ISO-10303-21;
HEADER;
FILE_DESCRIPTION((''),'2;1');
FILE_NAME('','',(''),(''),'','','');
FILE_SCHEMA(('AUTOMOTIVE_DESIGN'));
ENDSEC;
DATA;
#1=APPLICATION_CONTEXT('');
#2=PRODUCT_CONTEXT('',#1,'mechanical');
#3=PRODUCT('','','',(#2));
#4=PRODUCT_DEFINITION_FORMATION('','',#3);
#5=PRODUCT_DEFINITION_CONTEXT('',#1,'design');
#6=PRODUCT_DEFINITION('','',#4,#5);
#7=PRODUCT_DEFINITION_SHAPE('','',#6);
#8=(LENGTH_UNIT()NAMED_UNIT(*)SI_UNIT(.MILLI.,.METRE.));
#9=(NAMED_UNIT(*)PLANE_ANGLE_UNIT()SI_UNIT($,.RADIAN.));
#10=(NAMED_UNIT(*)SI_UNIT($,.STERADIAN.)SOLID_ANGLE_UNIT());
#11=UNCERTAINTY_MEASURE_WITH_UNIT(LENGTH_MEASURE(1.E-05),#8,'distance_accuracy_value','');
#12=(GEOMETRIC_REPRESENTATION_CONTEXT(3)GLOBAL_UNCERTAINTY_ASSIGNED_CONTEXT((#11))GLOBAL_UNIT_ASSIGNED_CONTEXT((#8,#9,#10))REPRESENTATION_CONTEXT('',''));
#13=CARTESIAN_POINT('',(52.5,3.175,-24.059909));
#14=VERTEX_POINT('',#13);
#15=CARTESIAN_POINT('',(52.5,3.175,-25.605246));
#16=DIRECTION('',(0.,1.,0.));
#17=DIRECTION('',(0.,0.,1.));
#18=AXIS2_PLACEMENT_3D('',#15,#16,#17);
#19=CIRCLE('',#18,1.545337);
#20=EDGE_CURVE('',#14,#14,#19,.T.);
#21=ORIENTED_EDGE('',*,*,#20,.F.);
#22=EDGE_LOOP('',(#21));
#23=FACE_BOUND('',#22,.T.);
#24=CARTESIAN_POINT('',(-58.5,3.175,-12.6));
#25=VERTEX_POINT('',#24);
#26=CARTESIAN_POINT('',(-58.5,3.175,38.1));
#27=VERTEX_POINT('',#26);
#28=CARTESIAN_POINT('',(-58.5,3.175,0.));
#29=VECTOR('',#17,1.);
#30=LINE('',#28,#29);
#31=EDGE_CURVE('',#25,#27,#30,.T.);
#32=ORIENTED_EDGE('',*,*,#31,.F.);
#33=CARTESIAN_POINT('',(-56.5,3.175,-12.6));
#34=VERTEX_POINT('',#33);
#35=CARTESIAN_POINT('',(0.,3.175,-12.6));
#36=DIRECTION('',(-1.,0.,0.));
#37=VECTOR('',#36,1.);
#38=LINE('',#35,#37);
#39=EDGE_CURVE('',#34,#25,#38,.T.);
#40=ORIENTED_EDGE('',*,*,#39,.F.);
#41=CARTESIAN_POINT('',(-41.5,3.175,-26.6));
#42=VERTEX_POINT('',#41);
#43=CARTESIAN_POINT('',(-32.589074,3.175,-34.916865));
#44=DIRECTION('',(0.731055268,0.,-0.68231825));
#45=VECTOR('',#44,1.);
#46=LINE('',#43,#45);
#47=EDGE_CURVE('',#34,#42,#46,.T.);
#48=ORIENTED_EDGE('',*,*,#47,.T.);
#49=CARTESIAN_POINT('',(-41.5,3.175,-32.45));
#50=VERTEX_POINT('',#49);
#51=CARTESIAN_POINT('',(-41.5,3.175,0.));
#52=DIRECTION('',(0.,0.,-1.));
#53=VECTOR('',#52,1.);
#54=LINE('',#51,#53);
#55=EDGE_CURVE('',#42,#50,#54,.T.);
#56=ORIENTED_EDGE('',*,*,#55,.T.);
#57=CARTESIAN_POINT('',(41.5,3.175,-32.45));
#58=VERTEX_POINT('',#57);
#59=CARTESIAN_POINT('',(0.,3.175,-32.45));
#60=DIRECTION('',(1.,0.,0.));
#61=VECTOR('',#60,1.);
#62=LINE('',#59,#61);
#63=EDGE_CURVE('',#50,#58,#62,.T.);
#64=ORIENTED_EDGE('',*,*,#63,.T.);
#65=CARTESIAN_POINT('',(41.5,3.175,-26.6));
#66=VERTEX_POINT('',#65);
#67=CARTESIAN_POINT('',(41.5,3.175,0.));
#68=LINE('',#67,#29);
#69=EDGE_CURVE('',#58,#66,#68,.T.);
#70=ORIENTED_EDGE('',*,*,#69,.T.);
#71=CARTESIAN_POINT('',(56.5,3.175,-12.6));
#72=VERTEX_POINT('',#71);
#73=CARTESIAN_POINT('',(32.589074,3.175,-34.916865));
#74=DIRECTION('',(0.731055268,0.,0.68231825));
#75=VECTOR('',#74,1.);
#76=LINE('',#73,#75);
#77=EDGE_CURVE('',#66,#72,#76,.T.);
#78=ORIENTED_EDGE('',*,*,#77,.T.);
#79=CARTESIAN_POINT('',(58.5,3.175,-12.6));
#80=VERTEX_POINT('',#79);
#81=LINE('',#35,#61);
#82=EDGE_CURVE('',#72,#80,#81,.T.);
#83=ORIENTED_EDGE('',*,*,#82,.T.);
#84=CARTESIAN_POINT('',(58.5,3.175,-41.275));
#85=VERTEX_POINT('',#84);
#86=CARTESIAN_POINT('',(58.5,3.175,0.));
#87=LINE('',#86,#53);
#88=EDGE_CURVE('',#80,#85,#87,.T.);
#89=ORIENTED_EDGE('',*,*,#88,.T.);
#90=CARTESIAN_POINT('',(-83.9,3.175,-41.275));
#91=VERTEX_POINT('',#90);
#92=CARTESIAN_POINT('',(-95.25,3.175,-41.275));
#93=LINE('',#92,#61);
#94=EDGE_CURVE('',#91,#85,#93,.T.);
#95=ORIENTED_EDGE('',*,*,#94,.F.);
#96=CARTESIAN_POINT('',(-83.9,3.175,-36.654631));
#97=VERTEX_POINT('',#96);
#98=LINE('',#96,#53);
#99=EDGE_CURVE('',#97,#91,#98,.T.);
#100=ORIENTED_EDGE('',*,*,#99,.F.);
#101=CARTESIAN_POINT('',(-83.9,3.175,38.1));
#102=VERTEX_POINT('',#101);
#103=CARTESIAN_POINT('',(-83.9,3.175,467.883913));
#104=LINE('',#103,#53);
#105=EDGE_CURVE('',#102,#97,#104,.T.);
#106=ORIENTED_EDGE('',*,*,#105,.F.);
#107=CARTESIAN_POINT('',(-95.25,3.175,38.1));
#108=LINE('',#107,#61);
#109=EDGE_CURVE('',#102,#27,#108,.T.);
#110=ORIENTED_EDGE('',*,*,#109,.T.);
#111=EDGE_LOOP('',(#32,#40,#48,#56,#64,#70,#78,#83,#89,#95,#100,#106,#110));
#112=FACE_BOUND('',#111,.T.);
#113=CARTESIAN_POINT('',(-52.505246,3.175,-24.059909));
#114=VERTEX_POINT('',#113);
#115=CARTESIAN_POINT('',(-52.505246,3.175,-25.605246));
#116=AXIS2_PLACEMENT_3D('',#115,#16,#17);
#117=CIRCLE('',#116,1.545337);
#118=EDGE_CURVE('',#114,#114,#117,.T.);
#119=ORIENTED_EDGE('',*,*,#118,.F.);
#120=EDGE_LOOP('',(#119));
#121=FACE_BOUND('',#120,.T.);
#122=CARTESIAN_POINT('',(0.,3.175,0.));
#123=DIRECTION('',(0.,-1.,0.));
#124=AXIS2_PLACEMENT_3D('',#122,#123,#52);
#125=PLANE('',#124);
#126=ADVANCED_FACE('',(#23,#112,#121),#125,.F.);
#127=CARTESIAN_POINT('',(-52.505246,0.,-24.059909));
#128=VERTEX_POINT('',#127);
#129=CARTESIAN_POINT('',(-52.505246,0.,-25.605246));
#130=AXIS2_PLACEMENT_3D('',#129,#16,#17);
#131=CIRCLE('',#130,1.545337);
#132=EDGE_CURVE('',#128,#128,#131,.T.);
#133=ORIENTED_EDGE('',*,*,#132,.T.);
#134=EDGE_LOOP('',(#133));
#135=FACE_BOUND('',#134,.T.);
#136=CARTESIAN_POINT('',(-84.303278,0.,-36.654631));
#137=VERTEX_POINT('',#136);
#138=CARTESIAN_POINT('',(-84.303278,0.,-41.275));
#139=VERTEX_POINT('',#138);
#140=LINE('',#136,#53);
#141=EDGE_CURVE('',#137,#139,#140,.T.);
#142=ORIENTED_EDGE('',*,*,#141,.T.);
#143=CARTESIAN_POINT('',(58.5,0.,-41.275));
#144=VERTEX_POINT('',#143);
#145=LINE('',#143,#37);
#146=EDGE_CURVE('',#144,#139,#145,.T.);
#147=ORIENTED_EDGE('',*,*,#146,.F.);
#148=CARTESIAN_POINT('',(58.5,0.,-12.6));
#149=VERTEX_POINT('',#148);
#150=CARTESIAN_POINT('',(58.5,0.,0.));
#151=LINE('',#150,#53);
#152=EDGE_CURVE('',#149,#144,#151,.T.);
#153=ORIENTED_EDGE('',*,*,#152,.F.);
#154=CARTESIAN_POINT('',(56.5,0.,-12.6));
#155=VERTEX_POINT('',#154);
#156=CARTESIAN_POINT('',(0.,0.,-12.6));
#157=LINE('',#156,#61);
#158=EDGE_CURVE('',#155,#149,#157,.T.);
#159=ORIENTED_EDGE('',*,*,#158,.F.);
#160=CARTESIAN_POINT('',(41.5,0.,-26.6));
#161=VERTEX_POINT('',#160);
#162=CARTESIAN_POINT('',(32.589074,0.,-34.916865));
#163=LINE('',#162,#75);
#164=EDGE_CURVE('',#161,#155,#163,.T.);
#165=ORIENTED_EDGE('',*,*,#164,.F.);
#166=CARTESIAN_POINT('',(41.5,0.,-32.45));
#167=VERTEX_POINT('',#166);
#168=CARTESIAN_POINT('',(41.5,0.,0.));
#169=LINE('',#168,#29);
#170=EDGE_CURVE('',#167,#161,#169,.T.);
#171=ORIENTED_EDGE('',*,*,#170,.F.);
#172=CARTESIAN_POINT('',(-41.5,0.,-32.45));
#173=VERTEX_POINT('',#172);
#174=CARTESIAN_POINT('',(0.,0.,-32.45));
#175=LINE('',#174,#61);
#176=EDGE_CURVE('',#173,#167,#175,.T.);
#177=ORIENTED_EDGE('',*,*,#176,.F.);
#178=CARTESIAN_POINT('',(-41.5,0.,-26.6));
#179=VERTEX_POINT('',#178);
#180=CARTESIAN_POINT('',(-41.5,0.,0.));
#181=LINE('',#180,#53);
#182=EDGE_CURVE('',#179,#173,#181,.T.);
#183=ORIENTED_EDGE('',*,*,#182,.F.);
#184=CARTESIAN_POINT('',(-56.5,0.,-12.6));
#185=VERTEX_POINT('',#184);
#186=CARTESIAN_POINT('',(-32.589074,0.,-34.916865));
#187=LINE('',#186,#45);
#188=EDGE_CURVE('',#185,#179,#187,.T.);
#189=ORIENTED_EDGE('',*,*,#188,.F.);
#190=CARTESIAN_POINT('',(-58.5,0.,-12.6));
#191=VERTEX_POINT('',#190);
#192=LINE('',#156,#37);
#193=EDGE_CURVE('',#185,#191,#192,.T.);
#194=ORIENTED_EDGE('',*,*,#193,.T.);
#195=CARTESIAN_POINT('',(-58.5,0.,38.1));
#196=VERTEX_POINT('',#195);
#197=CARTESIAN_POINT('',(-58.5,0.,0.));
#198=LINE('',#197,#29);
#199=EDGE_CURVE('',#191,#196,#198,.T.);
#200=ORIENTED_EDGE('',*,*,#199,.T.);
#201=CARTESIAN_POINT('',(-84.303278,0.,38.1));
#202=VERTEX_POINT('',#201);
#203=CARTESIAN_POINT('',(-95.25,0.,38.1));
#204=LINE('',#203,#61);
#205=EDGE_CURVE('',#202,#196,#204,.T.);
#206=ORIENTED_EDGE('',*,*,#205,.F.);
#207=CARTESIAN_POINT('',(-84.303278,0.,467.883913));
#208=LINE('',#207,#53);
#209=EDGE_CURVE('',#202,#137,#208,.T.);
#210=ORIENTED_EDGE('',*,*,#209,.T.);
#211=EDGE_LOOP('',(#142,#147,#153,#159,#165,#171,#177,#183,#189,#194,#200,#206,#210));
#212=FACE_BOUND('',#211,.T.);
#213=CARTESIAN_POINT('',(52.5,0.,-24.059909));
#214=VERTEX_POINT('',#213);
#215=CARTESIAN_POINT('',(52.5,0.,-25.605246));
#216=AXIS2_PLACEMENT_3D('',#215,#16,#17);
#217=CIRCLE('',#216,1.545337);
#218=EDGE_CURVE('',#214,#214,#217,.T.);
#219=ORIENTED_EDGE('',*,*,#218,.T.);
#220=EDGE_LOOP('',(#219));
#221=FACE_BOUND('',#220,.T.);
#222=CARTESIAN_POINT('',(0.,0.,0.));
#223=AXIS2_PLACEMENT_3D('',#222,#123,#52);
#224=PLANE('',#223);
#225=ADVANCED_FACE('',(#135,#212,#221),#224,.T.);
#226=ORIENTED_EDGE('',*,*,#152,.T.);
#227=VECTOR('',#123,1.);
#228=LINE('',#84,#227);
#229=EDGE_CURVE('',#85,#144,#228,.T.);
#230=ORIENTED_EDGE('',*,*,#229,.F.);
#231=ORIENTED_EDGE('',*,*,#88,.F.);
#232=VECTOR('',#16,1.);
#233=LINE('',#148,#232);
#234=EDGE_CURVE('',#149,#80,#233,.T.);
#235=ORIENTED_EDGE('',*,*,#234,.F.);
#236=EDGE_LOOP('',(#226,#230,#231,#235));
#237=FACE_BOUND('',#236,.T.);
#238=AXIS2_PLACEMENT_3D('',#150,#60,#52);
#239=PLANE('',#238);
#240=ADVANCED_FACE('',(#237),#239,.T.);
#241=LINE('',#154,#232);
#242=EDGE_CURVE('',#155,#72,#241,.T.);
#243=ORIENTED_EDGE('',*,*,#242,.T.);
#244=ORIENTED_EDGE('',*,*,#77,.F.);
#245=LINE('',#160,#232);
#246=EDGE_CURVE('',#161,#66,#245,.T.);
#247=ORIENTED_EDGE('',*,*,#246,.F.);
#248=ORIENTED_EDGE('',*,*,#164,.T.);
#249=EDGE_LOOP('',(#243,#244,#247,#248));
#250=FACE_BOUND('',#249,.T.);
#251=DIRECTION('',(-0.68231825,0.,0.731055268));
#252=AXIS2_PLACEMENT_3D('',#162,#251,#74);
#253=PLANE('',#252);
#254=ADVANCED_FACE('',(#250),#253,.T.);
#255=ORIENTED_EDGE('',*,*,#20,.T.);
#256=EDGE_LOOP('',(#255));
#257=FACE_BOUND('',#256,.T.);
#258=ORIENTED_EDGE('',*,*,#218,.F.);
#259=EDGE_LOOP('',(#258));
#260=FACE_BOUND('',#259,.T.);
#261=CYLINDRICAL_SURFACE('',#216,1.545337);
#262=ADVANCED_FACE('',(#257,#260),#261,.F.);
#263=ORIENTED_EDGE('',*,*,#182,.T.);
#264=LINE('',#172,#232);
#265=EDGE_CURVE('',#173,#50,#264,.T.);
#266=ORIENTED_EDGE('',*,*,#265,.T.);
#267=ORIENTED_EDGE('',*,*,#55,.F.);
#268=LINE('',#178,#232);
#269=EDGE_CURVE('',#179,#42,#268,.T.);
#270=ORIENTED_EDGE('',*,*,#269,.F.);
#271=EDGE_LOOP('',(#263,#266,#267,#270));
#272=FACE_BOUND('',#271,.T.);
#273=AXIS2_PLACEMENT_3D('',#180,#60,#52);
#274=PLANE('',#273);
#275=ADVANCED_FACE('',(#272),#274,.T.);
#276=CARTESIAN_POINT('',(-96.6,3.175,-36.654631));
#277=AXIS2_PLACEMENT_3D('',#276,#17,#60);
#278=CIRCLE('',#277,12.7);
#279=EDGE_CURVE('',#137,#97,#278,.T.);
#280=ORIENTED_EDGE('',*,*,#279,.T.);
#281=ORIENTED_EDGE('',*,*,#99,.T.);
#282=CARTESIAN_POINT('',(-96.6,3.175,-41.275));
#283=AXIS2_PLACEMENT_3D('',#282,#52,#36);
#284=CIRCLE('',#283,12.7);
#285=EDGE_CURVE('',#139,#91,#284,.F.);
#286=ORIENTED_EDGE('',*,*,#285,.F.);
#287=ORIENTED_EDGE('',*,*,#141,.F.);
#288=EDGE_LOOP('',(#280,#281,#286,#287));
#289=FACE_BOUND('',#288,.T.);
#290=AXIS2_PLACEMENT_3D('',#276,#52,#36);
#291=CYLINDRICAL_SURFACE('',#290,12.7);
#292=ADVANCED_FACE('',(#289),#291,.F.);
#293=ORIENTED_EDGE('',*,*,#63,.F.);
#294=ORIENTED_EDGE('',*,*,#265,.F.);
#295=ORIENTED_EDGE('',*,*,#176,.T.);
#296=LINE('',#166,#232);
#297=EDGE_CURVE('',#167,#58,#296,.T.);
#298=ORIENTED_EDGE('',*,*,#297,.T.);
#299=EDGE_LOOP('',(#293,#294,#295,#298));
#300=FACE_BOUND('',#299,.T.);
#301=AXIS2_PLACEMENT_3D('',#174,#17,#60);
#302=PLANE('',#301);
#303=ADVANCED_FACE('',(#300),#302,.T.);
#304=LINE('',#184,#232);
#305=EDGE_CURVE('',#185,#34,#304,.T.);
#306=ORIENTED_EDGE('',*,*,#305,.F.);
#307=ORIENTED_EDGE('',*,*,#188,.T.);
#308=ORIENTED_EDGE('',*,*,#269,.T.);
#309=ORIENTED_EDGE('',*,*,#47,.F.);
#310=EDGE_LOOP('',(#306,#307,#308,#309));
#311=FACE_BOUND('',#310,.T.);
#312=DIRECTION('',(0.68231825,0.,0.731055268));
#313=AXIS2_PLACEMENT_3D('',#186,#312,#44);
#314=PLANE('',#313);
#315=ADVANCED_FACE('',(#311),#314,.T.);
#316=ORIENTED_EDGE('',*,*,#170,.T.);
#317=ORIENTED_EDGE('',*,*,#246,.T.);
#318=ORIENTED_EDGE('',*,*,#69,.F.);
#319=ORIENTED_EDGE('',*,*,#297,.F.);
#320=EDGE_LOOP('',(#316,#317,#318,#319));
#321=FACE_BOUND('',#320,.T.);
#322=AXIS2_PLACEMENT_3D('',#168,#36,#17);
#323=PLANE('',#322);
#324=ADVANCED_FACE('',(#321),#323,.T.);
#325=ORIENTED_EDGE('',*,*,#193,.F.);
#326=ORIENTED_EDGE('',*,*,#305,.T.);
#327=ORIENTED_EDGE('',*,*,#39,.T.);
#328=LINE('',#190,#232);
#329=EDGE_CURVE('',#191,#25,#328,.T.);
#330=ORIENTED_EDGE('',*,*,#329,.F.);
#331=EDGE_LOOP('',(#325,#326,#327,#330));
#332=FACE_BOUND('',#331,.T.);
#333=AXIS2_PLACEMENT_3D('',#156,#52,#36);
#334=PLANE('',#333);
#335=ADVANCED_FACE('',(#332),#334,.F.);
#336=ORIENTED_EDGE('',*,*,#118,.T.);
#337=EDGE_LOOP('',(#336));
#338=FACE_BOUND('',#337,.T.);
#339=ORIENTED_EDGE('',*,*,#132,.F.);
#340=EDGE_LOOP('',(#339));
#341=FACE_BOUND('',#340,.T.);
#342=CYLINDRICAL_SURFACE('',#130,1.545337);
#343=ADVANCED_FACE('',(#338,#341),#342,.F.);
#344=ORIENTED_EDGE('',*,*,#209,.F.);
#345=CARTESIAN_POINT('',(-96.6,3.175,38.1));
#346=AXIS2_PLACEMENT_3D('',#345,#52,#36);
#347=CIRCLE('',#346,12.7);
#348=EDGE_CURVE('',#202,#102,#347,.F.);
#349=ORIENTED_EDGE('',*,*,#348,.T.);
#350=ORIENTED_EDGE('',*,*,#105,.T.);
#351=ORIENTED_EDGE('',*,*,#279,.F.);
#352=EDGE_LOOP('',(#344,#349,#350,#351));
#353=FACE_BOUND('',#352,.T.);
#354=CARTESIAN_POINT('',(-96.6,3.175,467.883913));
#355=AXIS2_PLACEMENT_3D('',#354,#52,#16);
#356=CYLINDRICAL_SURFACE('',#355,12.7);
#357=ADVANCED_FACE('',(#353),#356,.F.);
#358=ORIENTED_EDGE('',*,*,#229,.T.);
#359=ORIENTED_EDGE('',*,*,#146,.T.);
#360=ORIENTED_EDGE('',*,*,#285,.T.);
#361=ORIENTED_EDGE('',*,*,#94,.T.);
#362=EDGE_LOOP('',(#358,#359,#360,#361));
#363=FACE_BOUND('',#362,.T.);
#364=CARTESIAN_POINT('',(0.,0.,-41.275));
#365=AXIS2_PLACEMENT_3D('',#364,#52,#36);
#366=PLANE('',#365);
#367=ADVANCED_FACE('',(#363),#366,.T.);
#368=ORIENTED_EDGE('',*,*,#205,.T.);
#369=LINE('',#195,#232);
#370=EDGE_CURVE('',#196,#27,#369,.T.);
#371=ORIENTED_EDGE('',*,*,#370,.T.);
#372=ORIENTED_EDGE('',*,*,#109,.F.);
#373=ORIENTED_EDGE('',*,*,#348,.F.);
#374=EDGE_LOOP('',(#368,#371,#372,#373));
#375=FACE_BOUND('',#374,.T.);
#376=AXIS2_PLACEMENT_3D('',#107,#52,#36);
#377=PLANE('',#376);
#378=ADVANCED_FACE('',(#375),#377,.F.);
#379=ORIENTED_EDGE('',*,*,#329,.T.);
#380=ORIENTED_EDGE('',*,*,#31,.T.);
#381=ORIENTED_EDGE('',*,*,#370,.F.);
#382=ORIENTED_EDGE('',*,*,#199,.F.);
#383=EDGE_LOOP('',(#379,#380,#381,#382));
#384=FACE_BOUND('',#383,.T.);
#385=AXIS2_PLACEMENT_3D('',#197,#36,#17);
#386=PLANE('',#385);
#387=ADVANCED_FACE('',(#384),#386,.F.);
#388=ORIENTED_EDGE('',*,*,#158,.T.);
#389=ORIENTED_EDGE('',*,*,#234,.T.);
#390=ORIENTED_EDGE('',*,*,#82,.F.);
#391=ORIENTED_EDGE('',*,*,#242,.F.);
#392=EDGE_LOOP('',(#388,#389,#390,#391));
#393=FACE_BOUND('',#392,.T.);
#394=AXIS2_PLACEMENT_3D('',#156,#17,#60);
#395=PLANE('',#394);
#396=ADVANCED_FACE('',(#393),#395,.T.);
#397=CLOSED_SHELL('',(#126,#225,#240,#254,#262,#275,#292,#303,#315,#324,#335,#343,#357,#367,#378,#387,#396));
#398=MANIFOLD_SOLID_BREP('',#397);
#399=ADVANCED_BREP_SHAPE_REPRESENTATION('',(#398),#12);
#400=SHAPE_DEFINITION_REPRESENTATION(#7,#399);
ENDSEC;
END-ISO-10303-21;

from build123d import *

# Parameters (mm, degrees)
SKETCH1_W            = 190.5
SKETCH1_H            = 76.2
BOSS_EXTRUDE1_DEPTH  = 3.175
SKETCH2_R            = 1.545336663
CUT_EXTRUDE4_DEPTH   = 4.175
SKETCH3_W            = 153.75
SKETCH3_H            = 3.175
BOSS_EXTRUDE2_DEPTH  = 3.175
CUT_SWEEP1_PROFILE_R = 12.7


with BuildPart() as part:
    # Sketch1 → Boss-Extrude1 (new body)
    with BuildSketch(Plane(origin=(0, 0, 0), x_dir=(1, 0, 0), z_dir=(0, 1, 0))):
        Rectangle(SKETCH1_W, SKETCH1_H)
    extrude(amount=BOSS_EXTRUDE1_DEPTH)

    # Sketch2 → Cut-Extrude4 (cut, through all)
    with BuildSketch(Plane(origin=(0, 3.175, 0), x_dir=(1, 0, 0), z_dir=(0, 1, 0))):
        Polygon((-58.5, 12.6), (-58.5, -38.1), (95.25, -38.1), (95.25, 38.1), (58.5, 38.1), (58.5, 12.6), (56.5, 12.6), (41.5, 26.6), (41.5, 32.45), (-41.5, 32.45), (-41.5, 26.6), (-56.5, 12.6), align=None)
        with Locations((-52.505245516, 25.605245516)):
            Circle(SKETCH2_R)
        with Locations((52.5, 25.605245516)):
            Circle(SKETCH2_R)
    extrude(amount=-CUT_EXTRUDE4_DEPTH, mode=Mode.SUBTRACT)

    # Sketch3 → Boss-Extrude2 (add)
    with BuildSketch(Plane(origin=(0, 0, -38.1), x_dir=(-1, 0, 0), z_dir=(0, 0, -1))):
        with Locations((18.375, 1.5875)):
            Rectangle(SKETCH3_W, SKETCH3_H)
    extrude(amount=BOSS_EXTRUDE2_DEPTH)

    # Cut-Sweep1: sweep along a curve in space
    with BuildLine() as cut_sweep1_path:
        Line((-96.6, 3.175, 467.883912637), (-96.6, 3.175, -36.654630794))
        Line((-96.6, 3.175, -36.654630794), (-96.6, 3.175, -207.159673584))
    # Cut-Sweep1 profile (on start of the path) → Cut-Sweep1 (sweep, cut)
    with BuildSketch(Plane(origin=(-96.6, 3.175, 467.883912637), x_dir=(0, -1, 0), z_dir=(0, 0, -1))):
        Circle(CUT_SWEEP1_PROFILE_R)
    sweep(path=cut_sweep1_path.line, mode=Mode.SUBTRACT)


solid = part.part
